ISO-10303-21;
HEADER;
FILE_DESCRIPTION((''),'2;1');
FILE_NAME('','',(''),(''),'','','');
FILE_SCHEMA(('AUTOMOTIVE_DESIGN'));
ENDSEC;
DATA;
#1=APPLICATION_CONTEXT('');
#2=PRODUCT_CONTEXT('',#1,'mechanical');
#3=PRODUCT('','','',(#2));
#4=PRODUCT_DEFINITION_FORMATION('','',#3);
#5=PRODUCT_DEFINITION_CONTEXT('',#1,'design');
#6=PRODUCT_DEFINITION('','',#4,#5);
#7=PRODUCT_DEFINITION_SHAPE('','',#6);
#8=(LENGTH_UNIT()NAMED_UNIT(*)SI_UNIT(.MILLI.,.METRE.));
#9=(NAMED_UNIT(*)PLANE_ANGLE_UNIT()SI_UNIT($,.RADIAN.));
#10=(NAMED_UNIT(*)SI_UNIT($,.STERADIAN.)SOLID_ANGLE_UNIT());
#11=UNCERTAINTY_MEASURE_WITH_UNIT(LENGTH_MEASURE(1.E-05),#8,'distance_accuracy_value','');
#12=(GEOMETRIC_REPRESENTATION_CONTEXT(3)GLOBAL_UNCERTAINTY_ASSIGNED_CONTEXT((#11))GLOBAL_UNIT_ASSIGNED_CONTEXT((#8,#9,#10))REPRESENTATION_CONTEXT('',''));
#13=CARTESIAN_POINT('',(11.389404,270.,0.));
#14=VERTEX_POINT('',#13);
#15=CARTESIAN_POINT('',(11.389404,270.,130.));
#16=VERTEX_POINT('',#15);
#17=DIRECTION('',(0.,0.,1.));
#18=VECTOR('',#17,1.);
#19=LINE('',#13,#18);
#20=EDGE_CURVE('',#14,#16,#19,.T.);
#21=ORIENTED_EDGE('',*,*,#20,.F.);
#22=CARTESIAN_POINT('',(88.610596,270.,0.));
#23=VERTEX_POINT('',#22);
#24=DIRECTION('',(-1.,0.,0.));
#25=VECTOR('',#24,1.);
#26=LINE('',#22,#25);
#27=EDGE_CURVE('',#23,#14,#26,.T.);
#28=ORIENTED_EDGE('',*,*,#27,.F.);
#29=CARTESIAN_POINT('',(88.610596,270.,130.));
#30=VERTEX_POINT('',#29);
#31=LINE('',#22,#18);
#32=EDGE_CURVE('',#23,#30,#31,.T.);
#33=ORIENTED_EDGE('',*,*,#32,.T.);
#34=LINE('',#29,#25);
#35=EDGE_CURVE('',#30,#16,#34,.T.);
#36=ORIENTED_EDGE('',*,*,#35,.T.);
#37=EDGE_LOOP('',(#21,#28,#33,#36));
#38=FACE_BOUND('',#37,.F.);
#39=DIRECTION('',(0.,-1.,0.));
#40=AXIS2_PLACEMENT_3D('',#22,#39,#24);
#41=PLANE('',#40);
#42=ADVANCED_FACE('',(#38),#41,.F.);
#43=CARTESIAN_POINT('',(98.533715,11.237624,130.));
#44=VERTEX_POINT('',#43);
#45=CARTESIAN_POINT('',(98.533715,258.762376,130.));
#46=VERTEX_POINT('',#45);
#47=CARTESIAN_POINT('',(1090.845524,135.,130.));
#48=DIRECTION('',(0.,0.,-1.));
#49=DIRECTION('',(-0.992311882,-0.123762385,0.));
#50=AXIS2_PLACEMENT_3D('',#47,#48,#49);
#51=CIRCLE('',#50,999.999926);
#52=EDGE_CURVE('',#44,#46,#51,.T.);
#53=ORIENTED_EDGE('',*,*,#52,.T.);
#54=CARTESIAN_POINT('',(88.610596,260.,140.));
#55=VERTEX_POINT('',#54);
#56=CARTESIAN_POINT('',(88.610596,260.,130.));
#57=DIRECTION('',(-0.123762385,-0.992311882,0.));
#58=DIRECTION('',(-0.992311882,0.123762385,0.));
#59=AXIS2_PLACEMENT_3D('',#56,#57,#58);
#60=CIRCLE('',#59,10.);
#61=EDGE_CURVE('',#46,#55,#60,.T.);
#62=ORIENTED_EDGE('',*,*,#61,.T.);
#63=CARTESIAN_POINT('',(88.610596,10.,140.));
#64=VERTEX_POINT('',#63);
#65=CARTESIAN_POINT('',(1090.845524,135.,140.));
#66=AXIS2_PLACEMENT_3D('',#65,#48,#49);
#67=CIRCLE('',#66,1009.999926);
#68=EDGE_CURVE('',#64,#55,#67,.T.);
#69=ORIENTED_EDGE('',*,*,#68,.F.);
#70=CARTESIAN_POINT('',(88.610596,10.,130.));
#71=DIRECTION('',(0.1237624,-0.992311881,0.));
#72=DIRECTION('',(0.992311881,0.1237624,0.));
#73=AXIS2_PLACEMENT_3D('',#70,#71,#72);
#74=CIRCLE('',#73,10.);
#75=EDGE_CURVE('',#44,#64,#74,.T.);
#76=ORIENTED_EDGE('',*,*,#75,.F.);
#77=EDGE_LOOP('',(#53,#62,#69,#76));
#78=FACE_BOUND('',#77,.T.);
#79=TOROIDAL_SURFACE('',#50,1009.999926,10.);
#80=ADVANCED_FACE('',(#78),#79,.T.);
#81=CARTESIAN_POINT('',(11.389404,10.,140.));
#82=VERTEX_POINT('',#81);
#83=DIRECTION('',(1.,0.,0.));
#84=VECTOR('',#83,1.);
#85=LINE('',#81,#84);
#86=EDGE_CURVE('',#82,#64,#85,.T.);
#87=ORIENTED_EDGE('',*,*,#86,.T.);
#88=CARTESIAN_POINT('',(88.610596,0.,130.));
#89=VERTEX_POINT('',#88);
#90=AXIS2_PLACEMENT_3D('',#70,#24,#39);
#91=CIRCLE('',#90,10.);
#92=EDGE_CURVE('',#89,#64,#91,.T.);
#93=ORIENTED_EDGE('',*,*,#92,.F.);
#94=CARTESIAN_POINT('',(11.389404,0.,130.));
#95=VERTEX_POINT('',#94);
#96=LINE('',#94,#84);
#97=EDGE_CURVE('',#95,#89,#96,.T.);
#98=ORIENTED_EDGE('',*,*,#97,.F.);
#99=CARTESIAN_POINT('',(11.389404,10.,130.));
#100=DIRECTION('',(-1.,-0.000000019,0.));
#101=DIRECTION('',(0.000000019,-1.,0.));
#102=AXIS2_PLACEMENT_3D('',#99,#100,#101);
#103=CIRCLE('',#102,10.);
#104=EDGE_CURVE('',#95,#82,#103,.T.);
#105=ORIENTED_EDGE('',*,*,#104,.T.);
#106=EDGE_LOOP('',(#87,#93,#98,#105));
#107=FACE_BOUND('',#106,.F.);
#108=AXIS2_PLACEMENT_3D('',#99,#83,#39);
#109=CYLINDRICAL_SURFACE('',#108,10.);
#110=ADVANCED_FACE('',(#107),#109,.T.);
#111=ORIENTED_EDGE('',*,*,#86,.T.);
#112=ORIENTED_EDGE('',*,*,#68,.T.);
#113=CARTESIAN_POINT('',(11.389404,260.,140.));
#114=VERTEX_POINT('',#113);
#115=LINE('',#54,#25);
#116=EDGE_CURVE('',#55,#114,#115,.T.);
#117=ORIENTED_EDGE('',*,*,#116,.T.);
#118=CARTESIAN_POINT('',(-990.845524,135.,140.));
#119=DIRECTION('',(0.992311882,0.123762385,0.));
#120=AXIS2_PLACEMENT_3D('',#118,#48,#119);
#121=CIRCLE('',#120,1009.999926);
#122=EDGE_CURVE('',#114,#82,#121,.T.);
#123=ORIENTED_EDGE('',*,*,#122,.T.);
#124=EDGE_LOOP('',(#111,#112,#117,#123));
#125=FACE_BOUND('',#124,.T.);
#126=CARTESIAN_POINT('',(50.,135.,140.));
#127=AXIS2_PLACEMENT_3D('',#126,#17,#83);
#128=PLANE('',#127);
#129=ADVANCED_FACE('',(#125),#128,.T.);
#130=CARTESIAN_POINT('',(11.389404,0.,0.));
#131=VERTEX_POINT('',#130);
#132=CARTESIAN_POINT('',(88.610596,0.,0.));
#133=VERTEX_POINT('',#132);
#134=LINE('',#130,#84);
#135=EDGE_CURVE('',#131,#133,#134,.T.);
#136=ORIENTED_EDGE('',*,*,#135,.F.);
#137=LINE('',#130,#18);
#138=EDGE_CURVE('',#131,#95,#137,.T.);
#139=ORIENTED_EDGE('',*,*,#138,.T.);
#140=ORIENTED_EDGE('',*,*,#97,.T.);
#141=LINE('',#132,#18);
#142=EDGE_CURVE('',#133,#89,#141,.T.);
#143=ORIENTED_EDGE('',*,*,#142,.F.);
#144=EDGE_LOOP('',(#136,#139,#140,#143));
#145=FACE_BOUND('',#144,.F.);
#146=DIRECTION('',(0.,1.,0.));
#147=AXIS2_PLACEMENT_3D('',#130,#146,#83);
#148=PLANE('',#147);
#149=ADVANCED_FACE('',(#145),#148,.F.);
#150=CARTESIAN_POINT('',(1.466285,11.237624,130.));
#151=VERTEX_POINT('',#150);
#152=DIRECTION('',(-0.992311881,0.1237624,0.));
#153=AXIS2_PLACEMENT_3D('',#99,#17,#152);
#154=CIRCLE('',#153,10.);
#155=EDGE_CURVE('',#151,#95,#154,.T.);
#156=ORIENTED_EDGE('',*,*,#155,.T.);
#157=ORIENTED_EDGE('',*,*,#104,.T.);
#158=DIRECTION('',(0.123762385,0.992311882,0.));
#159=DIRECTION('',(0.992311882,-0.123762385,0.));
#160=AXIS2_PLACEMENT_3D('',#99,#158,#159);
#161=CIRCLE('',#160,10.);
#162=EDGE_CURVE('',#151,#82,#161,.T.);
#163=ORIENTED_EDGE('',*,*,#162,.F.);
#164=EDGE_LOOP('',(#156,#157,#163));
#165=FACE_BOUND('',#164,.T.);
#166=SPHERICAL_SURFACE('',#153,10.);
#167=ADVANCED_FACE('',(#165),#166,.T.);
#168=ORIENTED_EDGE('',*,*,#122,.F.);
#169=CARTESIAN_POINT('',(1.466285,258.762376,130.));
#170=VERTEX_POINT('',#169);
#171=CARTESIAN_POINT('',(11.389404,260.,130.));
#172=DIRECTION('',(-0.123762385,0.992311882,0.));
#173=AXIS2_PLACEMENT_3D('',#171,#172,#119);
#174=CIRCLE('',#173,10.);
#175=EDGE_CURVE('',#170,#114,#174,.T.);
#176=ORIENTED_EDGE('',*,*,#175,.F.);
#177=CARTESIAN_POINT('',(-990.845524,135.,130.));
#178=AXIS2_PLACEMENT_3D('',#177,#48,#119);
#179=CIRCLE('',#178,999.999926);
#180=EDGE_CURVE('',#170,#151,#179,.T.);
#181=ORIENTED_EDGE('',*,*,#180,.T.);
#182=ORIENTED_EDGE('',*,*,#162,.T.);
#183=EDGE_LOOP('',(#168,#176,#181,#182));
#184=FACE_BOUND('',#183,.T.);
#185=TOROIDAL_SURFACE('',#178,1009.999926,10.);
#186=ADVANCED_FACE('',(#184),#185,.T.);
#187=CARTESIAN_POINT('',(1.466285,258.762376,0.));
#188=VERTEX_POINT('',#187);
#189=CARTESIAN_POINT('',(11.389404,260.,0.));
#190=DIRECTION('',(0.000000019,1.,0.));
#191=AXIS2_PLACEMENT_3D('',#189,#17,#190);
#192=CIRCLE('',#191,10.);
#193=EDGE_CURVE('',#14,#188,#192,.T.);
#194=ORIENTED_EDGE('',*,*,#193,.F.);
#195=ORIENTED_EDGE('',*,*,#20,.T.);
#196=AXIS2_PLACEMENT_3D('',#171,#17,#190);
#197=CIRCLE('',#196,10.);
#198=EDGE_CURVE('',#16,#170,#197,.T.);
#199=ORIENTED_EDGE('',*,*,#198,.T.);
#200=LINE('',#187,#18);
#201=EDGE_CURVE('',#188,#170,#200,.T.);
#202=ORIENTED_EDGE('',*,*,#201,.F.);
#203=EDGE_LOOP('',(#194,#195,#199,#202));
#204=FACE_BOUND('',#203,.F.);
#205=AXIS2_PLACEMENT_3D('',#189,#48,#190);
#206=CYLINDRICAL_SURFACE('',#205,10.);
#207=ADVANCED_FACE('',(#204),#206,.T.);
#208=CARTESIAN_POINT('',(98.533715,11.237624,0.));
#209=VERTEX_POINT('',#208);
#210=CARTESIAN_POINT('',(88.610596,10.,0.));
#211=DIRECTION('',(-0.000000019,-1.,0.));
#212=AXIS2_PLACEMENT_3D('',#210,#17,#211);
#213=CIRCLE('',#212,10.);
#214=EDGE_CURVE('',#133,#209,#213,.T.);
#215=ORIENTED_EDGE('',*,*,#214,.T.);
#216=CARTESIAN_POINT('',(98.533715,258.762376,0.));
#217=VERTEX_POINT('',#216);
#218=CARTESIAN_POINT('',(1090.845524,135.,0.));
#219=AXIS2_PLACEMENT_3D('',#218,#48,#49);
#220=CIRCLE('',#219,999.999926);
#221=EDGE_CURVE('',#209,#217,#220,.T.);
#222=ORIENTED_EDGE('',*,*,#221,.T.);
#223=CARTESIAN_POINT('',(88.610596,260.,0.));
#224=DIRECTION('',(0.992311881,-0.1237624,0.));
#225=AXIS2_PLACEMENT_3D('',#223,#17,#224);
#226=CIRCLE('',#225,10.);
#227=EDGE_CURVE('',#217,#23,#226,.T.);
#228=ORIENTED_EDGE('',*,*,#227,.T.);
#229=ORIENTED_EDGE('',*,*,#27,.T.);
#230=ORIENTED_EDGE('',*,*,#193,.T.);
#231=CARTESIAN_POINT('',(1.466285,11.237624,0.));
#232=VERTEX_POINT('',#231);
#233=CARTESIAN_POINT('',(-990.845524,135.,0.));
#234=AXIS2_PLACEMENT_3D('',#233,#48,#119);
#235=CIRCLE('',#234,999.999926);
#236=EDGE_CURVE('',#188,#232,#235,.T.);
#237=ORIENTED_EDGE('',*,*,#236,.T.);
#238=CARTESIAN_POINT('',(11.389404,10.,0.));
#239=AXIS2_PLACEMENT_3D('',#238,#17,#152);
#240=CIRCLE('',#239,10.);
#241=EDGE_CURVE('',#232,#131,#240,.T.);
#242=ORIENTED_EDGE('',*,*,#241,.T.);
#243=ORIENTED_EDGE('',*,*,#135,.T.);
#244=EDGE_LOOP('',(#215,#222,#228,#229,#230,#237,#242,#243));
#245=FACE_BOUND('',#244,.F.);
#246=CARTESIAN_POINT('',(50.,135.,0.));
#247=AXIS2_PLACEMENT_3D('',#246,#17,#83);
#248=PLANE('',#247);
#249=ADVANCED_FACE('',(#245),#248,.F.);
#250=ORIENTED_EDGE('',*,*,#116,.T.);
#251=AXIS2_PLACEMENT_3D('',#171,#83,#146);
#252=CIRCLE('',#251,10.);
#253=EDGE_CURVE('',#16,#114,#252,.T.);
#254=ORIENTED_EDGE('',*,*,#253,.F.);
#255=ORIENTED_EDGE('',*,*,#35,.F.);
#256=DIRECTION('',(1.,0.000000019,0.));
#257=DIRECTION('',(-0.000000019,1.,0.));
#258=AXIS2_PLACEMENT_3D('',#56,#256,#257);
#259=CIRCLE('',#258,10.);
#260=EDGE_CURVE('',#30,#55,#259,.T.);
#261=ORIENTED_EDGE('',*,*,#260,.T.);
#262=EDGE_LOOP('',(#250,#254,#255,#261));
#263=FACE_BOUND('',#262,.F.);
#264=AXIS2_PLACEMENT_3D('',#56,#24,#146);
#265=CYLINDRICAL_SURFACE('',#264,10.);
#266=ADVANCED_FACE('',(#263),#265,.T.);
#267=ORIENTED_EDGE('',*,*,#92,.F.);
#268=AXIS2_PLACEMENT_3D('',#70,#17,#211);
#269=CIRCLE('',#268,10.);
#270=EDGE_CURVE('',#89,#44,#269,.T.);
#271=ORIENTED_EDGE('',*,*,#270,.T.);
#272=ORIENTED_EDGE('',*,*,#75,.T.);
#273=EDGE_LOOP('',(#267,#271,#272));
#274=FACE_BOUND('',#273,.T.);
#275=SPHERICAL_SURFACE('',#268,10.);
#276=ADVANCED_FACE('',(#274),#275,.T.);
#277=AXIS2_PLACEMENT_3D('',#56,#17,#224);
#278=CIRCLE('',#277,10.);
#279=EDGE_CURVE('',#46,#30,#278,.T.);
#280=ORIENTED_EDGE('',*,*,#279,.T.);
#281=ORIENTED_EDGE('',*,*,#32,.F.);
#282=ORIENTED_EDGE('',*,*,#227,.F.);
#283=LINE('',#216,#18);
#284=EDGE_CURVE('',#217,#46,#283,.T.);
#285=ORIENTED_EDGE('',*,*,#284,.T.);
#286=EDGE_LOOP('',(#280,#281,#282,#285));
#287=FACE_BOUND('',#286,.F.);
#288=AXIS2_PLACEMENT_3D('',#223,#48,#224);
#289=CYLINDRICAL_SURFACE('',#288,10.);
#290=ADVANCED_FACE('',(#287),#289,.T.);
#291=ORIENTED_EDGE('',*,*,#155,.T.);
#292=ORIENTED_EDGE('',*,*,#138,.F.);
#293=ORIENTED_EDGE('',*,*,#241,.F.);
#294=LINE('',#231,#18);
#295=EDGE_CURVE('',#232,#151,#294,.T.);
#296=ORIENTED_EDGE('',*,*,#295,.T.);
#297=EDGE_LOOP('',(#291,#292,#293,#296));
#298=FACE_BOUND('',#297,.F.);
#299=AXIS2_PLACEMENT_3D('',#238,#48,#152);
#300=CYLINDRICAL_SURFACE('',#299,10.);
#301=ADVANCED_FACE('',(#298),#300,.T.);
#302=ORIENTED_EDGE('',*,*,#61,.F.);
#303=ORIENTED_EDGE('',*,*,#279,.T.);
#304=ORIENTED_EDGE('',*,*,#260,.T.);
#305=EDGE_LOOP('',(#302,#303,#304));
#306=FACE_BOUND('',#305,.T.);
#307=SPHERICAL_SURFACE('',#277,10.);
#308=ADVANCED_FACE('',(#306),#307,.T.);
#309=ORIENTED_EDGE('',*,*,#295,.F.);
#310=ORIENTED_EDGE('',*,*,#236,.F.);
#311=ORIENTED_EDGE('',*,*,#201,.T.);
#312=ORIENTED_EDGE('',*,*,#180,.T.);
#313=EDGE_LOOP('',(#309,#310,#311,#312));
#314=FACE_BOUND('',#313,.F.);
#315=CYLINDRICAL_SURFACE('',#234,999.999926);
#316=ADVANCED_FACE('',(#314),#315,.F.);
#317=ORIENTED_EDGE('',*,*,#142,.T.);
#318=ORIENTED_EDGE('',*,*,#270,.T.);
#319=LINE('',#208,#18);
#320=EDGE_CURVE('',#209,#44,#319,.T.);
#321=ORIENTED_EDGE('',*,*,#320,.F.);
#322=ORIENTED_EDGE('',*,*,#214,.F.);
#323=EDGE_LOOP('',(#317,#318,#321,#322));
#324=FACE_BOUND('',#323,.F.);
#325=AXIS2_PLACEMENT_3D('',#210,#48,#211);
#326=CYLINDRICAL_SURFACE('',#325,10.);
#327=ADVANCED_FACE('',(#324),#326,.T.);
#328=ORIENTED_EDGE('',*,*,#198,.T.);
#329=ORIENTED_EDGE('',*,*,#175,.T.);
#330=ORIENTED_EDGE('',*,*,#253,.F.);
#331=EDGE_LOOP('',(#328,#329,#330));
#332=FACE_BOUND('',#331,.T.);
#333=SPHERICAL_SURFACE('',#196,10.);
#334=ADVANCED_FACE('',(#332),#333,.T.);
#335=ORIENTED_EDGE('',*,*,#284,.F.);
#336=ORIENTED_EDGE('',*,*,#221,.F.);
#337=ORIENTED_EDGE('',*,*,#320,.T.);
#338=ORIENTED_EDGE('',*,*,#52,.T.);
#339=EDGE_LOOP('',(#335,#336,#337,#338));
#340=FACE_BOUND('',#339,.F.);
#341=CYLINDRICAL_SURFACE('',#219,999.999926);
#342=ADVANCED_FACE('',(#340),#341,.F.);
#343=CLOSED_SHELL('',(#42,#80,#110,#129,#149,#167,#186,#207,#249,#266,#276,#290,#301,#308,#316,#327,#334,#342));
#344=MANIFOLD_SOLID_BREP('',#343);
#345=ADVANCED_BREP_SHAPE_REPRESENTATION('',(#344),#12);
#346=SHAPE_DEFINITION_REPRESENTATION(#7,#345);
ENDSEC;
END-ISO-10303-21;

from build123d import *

# Parameters (mm, degrees)
F1_DEPTH = 140
F2_R     = 10


with BuildPart() as f1:
    # F0 (on Top) → F1 (new body)
    with BuildSketch(Plane.XY):
        with BuildLine():
            ThreePointArc((1.466285, 11.237624), (3.89353, 3.380946), (11.389404, 0))
            Line((11.389404, 0), (88.610596, 0))
            ThreePointArc((88.610596, 0), (96.10647, 3.380946), (98.533715, 11.237624))
            ThreePointArc((98.533715, 11.237624), (90.845598, 135), (98.533715, 258.762376))
            ThreePointArc((98.533715, 258.762376), (96.10647, 266.619054), (88.610596, 270))
            Line((88.610596, 270), (11.389404, 270))
            ThreePointArc((11.389404, 270), (3.89353, 266.619054), (1.466285, 258.762376))
            ThreePointArc((1.466285, 258.762376), (9.154402, 135), (1.466285, 11.237624))
        make_face()
    extrude(amount=F1_DEPTH)

    # F2
    f2_edges = [f1.edges().sort_by_distance(p)[0] for p in [
        (9.154402, 135, 140),
        (3.89353, 3.380946, 140),
        (50, 0, 140),
        (96.10647, 3.380946, 140),
        (90.845598, 135, 140),
        (96.10647, 266.619054, 140),
        (50, 270, 140),
        (3.89353, 266.619054, 140),
    ]]
    fillet(f2_edges, radius=F2_R)


solid = f1.part
